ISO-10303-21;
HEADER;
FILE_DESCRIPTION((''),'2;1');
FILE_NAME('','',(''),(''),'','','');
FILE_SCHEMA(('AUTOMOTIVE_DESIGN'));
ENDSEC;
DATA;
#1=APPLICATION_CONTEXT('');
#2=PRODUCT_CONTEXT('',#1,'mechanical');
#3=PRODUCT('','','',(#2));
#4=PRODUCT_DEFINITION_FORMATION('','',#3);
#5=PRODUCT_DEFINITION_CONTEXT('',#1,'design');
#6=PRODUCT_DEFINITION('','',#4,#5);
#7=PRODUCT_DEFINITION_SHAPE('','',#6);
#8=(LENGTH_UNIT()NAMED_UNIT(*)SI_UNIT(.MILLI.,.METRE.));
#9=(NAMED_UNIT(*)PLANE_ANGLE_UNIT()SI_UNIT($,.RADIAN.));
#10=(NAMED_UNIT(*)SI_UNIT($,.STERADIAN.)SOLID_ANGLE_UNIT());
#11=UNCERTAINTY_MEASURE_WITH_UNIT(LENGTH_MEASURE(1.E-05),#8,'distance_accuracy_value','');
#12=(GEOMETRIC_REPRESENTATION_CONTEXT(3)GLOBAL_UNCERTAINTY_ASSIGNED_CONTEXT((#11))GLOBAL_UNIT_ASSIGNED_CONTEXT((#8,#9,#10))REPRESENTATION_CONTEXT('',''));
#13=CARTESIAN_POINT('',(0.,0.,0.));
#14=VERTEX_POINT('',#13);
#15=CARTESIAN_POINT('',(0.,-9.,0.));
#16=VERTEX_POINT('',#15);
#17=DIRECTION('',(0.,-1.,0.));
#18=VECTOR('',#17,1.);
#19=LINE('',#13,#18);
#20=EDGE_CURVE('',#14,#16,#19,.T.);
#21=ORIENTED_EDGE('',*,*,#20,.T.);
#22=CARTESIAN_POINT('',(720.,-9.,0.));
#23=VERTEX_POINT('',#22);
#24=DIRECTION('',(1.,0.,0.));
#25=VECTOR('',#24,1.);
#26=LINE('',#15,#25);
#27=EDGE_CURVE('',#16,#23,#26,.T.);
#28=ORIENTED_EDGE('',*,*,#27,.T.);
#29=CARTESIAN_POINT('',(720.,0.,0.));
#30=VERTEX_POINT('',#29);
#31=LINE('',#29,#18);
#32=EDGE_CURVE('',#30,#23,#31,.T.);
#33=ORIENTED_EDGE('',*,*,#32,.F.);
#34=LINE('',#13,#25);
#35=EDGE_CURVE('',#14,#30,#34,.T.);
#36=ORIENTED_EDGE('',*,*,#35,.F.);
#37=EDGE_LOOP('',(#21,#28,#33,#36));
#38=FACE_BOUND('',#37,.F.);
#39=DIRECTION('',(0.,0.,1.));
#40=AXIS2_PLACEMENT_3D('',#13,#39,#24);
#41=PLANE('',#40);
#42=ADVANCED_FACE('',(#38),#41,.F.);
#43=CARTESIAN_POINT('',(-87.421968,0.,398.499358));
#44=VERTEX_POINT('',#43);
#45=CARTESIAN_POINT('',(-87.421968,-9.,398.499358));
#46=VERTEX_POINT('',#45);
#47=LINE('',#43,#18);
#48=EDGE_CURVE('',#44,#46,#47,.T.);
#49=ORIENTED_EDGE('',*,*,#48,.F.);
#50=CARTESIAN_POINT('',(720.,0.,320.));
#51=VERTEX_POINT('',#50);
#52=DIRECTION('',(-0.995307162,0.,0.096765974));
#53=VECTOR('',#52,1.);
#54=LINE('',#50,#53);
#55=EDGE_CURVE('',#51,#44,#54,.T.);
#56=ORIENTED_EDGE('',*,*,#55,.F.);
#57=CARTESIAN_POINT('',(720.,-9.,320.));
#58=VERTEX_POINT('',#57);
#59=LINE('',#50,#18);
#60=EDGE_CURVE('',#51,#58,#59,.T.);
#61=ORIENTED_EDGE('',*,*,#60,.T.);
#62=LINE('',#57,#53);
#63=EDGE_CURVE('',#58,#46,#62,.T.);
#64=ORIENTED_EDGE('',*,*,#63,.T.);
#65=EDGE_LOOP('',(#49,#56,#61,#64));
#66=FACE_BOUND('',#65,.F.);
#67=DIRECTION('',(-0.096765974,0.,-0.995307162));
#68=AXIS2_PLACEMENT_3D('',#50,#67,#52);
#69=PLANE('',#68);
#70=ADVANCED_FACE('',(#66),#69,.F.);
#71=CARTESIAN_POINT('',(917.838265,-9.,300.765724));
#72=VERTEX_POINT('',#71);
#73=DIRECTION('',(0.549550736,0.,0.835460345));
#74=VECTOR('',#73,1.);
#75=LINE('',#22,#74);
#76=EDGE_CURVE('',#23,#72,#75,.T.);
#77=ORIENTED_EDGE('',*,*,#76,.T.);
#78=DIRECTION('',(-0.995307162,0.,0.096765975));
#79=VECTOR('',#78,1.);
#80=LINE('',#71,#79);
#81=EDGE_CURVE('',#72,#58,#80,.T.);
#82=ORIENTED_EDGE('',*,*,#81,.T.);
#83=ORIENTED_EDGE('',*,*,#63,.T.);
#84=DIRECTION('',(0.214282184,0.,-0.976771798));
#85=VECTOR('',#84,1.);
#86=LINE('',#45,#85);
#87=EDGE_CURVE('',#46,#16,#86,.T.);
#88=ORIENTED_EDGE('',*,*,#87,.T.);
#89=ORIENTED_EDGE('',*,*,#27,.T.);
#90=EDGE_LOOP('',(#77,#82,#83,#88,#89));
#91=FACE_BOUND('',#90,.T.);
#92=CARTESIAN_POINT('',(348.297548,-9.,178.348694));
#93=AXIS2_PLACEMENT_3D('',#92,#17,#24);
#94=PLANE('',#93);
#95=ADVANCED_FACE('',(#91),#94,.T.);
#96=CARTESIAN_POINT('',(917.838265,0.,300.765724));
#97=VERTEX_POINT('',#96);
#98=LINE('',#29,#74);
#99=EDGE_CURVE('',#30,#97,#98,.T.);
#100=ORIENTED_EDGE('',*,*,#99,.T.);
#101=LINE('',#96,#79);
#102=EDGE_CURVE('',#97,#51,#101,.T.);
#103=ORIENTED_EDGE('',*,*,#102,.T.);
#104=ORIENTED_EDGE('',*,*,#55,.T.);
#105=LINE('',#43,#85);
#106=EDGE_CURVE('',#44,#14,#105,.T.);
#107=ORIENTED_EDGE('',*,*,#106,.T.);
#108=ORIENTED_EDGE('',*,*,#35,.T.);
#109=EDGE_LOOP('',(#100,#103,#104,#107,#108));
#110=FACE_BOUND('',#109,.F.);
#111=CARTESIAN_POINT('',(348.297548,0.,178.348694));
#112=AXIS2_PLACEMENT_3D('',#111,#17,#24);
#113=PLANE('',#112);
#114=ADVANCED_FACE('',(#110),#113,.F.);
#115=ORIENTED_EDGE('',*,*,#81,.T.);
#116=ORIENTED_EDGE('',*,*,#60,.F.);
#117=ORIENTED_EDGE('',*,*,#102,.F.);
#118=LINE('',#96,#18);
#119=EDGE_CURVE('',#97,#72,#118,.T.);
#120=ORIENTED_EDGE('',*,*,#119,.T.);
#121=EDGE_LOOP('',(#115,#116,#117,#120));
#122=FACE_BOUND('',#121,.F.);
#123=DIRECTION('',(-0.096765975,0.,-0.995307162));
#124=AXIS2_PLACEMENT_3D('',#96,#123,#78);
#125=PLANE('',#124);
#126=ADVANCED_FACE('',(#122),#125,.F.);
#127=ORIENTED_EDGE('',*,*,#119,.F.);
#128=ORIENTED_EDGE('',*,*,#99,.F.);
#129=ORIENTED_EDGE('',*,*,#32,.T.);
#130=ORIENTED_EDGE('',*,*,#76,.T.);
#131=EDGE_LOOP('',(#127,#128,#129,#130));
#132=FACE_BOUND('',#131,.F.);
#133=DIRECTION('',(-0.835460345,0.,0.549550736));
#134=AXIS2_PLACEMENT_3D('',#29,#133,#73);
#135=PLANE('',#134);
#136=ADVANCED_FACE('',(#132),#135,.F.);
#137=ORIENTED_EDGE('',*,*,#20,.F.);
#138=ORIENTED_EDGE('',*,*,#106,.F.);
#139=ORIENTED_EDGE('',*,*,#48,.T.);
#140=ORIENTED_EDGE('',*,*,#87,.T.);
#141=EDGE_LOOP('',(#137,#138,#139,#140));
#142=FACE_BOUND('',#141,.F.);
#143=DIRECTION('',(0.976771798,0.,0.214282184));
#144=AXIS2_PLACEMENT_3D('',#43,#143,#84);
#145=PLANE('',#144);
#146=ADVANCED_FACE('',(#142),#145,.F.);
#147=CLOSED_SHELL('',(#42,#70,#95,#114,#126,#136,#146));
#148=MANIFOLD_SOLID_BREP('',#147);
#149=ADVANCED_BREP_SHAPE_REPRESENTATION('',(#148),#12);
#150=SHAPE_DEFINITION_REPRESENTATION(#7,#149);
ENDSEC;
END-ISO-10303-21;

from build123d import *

# Parameters (mm, degrees)
F1_DEPTH = 9


with BuildPart() as f1:
    # F0 (on Front) → F1 (new body)
    with BuildSketch(Plane.XZ):
        Polygon((0, 390), (0, 0), (720, 0), (720, 320), align=None)
        Polygon((-87.421968, 398.499358), (0, 0), (0, 390), align=None)
        Polygon((720, 320), (720, 0), (917.838265, 300.765724), align=None)
    extrude(amount=F1_DEPTH)


solid = f1.part
